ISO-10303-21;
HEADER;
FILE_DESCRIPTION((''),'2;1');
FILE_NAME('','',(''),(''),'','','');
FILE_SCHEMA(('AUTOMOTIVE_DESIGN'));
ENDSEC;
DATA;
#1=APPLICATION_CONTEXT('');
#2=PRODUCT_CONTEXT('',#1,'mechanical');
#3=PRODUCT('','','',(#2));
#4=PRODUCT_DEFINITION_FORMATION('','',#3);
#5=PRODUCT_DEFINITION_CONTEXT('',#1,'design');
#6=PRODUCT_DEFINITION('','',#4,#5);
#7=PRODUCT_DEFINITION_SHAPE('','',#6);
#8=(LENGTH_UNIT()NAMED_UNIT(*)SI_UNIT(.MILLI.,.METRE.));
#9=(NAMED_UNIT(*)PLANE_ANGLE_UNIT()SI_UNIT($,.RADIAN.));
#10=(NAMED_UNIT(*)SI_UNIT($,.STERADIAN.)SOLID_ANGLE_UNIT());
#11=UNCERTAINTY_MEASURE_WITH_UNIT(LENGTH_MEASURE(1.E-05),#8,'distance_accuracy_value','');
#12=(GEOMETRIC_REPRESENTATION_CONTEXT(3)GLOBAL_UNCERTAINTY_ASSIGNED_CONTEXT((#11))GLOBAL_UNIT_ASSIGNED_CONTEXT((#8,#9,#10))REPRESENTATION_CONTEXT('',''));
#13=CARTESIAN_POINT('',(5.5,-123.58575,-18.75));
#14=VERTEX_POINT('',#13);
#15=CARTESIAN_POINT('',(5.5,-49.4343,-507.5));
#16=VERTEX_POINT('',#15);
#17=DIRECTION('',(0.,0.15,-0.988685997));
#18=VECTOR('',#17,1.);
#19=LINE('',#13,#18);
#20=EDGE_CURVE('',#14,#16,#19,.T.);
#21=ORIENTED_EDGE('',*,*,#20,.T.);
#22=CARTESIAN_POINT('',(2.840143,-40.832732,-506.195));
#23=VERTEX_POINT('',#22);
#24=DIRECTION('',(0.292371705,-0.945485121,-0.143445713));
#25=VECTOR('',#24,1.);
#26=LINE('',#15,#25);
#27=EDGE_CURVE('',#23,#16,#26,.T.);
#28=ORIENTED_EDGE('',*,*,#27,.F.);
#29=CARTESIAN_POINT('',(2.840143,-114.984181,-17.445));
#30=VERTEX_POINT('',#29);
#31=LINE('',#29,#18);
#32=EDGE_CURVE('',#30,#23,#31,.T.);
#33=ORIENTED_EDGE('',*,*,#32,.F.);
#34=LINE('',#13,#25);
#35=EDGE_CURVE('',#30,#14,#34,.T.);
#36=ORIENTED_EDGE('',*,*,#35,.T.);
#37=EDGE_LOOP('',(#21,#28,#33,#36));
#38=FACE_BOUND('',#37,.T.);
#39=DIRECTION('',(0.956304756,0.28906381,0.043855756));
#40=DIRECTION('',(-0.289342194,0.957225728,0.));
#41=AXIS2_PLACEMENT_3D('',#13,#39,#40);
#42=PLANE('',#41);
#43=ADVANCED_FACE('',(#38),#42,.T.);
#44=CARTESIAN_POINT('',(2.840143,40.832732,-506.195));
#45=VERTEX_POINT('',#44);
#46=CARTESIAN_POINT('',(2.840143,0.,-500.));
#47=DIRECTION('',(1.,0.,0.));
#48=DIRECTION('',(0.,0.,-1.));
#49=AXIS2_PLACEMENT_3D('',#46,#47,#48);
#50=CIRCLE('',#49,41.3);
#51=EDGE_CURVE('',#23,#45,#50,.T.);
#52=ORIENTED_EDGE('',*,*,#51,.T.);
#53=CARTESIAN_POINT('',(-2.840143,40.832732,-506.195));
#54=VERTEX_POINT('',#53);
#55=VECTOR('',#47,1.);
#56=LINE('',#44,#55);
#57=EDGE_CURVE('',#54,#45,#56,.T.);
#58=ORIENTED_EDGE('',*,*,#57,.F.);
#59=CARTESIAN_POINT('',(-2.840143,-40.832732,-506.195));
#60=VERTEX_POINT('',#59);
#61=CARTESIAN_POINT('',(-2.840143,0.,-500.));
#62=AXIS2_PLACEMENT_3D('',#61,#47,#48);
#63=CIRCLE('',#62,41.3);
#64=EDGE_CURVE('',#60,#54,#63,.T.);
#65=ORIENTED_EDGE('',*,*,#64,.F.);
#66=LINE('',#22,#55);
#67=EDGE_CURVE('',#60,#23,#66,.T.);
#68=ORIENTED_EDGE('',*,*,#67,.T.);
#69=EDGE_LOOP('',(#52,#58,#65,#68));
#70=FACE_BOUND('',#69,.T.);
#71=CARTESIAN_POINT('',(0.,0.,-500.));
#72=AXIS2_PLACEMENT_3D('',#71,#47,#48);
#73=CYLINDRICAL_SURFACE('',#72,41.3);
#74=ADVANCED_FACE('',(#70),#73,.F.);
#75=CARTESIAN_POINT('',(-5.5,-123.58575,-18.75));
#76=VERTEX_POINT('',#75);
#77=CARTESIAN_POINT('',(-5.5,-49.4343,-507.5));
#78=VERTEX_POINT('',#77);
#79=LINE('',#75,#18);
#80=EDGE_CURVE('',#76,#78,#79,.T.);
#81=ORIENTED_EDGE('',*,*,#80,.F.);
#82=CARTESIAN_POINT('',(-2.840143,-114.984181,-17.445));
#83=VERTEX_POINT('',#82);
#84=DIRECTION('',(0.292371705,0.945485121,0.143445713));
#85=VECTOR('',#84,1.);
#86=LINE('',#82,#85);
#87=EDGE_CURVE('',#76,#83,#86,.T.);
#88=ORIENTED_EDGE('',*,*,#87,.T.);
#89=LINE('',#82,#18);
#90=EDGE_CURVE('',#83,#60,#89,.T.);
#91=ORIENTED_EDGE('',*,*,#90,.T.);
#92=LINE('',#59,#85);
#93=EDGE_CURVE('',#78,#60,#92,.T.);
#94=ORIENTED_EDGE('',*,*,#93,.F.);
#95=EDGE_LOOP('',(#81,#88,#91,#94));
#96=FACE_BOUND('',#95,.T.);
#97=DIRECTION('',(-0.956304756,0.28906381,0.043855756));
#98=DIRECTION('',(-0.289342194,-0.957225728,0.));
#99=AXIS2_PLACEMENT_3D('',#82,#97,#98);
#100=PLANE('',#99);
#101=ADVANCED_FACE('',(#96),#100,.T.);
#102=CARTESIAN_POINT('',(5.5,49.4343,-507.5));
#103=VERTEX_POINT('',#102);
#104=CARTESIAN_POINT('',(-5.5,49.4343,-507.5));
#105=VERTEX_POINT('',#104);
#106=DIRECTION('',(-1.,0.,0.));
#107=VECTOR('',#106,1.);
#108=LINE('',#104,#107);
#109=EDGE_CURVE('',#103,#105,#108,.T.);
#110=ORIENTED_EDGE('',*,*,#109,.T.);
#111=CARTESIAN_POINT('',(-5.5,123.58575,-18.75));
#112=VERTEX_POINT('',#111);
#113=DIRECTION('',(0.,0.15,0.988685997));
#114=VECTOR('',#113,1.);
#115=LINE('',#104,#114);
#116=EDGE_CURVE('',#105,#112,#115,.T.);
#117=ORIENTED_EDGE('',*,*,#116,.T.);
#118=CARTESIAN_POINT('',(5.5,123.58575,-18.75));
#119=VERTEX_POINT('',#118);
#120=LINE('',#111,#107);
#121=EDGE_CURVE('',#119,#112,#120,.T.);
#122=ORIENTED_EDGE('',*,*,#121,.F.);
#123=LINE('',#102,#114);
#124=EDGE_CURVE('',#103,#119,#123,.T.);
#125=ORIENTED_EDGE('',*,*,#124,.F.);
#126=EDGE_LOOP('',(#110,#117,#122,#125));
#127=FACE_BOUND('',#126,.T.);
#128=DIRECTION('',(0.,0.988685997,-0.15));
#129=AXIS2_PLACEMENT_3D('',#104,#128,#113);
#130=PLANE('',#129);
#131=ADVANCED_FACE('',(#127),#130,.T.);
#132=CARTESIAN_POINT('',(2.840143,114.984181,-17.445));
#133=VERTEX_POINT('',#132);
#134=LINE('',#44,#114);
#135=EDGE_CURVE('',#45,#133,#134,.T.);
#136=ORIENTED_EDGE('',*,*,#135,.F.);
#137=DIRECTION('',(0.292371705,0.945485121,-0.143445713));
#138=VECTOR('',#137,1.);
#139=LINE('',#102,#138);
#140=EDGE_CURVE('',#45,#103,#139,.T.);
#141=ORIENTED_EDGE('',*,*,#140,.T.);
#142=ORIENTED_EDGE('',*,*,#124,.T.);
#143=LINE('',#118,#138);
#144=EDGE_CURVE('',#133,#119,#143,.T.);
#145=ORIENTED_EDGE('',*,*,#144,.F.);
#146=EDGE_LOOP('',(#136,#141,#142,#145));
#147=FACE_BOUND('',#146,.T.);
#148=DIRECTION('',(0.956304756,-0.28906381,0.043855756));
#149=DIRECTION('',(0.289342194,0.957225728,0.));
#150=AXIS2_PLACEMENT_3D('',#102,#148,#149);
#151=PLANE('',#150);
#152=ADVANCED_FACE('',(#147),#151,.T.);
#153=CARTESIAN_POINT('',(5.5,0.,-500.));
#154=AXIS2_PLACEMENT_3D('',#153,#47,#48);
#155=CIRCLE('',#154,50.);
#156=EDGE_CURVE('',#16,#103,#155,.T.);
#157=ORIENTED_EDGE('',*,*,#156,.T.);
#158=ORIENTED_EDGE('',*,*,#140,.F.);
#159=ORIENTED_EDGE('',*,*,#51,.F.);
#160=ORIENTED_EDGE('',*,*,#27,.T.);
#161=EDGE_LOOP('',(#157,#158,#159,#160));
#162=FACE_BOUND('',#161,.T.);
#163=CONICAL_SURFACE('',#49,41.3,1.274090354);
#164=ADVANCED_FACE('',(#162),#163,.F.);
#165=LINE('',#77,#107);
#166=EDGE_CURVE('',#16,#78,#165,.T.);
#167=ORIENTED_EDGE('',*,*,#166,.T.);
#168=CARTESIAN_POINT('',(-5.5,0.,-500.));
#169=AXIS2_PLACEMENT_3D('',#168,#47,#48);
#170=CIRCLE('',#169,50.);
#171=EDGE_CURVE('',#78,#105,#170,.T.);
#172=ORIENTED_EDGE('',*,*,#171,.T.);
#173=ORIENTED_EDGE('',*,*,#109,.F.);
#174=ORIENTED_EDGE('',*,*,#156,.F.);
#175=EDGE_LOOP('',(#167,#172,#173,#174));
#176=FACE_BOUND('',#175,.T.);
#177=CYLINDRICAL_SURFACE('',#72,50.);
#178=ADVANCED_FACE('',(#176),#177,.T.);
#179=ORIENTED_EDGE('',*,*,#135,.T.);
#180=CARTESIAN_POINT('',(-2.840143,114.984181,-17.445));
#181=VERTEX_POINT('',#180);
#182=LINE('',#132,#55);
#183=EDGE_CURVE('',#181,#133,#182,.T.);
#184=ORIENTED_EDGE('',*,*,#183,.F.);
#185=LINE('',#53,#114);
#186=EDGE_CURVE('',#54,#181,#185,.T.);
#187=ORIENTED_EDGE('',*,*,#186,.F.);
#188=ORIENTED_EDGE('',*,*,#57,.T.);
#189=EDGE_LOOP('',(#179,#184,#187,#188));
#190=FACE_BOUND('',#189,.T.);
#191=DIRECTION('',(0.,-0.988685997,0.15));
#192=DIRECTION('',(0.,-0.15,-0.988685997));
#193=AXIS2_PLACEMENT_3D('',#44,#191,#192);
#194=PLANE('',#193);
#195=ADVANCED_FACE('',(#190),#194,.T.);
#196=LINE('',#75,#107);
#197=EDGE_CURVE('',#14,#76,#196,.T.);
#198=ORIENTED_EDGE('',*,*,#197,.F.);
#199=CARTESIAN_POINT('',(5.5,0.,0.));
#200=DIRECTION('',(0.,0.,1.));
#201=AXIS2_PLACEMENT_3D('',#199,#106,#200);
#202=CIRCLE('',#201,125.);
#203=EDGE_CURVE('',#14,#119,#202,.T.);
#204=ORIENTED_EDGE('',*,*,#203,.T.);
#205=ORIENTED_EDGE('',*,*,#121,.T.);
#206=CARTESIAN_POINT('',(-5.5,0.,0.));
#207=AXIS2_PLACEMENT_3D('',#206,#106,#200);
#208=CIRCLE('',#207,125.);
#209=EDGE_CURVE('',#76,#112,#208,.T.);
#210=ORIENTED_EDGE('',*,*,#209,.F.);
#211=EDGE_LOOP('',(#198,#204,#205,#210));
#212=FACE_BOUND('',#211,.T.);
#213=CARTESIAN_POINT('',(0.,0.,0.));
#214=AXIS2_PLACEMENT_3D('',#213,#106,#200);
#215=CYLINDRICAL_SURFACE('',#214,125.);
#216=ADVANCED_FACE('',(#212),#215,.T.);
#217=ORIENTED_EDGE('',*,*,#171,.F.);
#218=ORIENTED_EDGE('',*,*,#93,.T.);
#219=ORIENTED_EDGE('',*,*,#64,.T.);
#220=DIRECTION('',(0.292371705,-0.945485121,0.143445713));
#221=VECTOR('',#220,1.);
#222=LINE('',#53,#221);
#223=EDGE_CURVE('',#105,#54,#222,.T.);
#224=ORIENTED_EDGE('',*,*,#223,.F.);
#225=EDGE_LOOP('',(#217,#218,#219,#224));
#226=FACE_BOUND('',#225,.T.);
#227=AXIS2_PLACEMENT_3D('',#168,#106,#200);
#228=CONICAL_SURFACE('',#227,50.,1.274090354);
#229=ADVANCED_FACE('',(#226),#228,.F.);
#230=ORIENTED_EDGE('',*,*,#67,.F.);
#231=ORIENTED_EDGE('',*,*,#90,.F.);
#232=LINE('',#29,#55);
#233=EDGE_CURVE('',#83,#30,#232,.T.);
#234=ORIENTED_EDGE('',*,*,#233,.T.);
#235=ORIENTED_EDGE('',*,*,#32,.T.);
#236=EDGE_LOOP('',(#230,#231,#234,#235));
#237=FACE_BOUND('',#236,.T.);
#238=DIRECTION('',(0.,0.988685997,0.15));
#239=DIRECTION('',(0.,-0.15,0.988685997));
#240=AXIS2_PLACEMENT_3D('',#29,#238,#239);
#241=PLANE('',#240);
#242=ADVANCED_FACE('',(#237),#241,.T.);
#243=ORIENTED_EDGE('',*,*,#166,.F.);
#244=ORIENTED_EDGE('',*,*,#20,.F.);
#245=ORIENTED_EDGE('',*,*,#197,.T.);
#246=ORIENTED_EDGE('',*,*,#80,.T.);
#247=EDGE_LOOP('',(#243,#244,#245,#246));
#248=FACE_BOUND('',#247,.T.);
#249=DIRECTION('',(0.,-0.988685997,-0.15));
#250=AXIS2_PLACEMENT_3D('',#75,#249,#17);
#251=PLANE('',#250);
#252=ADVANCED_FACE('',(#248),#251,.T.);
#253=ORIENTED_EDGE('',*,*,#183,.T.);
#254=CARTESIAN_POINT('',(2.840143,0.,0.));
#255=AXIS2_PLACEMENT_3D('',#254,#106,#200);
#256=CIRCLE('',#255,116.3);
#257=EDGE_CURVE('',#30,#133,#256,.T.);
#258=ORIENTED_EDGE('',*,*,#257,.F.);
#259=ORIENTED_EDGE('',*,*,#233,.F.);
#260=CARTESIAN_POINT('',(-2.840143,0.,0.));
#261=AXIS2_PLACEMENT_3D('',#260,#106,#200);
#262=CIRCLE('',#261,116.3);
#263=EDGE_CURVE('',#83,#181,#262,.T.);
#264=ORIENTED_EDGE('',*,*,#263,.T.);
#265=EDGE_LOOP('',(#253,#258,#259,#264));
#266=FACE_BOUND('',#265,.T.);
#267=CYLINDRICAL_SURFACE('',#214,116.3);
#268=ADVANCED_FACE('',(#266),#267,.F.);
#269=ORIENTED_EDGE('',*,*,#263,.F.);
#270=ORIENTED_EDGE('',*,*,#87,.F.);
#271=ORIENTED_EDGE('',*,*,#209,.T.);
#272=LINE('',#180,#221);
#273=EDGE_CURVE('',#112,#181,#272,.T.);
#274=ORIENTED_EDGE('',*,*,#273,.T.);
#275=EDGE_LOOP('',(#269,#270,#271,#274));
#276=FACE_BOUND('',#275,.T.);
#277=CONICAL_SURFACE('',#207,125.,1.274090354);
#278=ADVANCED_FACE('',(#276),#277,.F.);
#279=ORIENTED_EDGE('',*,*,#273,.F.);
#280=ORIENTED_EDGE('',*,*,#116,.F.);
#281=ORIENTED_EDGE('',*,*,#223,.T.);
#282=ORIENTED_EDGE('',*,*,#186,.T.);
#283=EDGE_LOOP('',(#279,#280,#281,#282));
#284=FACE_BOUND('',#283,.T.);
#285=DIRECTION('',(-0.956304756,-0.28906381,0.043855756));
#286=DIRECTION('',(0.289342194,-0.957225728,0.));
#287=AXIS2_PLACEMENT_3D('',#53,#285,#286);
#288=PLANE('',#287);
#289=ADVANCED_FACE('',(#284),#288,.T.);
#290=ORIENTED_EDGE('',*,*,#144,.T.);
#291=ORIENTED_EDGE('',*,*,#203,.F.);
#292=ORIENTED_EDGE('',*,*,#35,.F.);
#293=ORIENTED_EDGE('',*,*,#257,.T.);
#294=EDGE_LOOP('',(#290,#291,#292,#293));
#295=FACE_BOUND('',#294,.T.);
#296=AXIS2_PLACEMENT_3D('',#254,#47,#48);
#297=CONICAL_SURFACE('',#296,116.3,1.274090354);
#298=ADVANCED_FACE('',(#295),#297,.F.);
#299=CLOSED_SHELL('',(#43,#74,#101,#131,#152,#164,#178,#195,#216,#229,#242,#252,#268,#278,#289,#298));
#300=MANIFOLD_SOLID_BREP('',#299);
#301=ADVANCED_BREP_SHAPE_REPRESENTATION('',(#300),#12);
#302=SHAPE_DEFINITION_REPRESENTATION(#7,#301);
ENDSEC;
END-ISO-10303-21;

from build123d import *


with BuildPart() as part:
    # 扫描1: sweep along a path in 草图1
    with BuildLine(Plane(origin=(0, 0, 0), x_dir=(0, 0, -1), z_dir=(1, 0, 0))) as sweep_1_path:
        Line((18.75, 123.585749583), (507.5, 49.434299833))
        ThreePointArc((507.5, 49.434299833), (550, 0), (507.5, -49.434299833))
        Line((507.5, -49.434299833), (18.75, -123.585749583))
        ThreePointArc((18.75, -123.585749583), (-125, 0), (18.75, 123.585749583))
    # 草图2 → 扫描1 (sweep)
    with BuildSketch(Plane.XY):
        Polygon((-5.5, 125), (5.5, 125), (2.840143071, 116.3), (-2.840143071, 116.3), align=None)
    sweep(path=sweep_1_path.line)


solid = part.part
